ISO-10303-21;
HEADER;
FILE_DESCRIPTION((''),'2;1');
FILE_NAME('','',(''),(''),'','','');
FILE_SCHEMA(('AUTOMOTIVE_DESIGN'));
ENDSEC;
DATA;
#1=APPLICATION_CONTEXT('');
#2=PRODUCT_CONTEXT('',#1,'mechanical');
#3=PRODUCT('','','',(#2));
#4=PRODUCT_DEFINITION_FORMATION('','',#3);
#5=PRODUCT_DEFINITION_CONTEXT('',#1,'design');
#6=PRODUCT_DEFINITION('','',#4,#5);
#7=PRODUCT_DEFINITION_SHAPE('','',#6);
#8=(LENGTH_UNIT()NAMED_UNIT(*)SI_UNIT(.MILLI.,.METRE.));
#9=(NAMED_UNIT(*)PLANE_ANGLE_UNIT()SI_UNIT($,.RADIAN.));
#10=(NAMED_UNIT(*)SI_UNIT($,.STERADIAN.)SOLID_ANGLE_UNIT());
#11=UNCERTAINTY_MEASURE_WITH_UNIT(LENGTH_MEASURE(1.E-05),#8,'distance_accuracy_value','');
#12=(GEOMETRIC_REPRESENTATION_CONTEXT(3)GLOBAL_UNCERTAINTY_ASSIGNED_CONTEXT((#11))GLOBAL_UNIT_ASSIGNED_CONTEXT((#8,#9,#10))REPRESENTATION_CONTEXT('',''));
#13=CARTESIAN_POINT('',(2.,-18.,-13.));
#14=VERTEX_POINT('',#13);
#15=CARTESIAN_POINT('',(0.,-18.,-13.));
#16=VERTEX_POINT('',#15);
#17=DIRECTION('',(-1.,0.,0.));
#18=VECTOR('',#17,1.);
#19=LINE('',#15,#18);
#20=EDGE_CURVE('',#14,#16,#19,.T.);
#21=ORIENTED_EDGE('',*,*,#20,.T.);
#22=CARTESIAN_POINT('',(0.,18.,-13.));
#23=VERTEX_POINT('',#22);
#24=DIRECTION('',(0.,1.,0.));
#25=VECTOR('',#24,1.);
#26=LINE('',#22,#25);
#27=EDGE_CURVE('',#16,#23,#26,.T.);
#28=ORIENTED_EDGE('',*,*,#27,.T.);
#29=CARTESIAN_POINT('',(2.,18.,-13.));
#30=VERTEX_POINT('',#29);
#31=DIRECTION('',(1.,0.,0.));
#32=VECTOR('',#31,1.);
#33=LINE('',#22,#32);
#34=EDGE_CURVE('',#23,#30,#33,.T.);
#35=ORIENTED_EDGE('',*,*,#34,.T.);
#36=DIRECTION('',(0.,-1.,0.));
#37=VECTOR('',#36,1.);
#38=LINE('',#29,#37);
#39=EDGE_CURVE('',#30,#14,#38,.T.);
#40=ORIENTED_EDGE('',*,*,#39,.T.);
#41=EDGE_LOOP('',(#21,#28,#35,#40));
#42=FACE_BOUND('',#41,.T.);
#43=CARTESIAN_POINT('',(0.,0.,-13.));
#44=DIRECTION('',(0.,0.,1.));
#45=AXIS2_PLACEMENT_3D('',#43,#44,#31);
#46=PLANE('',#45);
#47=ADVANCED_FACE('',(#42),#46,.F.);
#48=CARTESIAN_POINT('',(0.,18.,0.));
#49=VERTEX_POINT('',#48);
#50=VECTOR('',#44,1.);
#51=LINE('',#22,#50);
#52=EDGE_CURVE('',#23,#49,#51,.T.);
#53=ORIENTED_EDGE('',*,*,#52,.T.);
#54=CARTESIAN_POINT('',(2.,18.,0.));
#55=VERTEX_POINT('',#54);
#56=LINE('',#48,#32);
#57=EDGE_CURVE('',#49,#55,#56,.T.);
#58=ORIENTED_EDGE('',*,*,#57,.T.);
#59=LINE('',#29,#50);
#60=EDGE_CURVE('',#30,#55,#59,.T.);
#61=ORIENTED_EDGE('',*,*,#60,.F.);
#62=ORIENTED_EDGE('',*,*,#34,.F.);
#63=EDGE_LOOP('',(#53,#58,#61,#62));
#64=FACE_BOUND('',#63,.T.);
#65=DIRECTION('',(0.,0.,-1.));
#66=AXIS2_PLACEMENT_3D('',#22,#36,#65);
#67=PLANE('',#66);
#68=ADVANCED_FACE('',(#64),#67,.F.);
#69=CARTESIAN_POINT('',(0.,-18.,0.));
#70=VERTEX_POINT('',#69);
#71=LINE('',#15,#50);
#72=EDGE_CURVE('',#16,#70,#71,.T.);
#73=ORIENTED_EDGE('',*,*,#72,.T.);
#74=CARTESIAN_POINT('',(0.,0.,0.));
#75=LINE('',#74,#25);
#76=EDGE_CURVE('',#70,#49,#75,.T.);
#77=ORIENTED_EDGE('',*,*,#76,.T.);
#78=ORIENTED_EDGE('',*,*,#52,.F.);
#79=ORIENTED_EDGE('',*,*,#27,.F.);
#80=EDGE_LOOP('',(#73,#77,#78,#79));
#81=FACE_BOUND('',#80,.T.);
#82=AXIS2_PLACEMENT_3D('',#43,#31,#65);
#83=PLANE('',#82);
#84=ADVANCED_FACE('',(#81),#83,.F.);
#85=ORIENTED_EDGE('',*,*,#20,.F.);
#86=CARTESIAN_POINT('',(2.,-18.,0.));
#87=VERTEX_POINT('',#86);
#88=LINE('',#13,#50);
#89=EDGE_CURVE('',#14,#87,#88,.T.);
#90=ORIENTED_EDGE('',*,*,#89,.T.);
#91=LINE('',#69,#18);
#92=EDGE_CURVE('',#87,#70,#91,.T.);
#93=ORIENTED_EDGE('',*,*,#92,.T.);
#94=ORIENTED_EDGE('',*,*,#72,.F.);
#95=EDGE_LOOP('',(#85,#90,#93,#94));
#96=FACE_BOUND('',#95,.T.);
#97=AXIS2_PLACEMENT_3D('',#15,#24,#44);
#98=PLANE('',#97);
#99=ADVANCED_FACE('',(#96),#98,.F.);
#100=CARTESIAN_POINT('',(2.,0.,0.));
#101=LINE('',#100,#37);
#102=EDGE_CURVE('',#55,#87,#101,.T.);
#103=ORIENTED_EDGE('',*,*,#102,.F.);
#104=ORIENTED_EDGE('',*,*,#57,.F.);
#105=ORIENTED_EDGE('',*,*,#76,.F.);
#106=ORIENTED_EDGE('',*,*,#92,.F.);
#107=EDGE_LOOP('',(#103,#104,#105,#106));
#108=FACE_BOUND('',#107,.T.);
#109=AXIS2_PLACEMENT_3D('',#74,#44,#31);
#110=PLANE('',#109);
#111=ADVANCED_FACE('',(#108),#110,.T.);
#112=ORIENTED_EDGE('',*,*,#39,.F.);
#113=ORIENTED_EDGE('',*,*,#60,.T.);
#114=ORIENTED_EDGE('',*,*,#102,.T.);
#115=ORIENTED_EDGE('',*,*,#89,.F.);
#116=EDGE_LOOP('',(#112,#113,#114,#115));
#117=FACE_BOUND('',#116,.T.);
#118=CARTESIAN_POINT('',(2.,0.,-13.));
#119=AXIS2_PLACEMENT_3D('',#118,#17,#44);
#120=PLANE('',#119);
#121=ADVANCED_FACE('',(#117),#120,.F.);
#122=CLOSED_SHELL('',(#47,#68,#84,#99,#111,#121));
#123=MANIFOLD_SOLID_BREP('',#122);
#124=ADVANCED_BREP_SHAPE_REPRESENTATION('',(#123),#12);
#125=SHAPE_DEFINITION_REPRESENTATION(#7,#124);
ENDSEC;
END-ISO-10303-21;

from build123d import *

# Parameters (mm, degrees)
BOSS_EXTRUDE1_DEPTH = 13


with BuildPart() as part:
    # Sketch1 → Boss-Extrude1 (new body)
    with BuildSketch(Plane(origin=(0, 0, 0), x_dir=(1, 0, 0), z_dir=(0, 0, -1))):
        Polygon((0, -18), (2, -18), (2, 0), (2, 18), (0, 18), (0, 0), align=None)
    extrude(amount=BOSS_EXTRUDE1_DEPTH)


solid = part.part
